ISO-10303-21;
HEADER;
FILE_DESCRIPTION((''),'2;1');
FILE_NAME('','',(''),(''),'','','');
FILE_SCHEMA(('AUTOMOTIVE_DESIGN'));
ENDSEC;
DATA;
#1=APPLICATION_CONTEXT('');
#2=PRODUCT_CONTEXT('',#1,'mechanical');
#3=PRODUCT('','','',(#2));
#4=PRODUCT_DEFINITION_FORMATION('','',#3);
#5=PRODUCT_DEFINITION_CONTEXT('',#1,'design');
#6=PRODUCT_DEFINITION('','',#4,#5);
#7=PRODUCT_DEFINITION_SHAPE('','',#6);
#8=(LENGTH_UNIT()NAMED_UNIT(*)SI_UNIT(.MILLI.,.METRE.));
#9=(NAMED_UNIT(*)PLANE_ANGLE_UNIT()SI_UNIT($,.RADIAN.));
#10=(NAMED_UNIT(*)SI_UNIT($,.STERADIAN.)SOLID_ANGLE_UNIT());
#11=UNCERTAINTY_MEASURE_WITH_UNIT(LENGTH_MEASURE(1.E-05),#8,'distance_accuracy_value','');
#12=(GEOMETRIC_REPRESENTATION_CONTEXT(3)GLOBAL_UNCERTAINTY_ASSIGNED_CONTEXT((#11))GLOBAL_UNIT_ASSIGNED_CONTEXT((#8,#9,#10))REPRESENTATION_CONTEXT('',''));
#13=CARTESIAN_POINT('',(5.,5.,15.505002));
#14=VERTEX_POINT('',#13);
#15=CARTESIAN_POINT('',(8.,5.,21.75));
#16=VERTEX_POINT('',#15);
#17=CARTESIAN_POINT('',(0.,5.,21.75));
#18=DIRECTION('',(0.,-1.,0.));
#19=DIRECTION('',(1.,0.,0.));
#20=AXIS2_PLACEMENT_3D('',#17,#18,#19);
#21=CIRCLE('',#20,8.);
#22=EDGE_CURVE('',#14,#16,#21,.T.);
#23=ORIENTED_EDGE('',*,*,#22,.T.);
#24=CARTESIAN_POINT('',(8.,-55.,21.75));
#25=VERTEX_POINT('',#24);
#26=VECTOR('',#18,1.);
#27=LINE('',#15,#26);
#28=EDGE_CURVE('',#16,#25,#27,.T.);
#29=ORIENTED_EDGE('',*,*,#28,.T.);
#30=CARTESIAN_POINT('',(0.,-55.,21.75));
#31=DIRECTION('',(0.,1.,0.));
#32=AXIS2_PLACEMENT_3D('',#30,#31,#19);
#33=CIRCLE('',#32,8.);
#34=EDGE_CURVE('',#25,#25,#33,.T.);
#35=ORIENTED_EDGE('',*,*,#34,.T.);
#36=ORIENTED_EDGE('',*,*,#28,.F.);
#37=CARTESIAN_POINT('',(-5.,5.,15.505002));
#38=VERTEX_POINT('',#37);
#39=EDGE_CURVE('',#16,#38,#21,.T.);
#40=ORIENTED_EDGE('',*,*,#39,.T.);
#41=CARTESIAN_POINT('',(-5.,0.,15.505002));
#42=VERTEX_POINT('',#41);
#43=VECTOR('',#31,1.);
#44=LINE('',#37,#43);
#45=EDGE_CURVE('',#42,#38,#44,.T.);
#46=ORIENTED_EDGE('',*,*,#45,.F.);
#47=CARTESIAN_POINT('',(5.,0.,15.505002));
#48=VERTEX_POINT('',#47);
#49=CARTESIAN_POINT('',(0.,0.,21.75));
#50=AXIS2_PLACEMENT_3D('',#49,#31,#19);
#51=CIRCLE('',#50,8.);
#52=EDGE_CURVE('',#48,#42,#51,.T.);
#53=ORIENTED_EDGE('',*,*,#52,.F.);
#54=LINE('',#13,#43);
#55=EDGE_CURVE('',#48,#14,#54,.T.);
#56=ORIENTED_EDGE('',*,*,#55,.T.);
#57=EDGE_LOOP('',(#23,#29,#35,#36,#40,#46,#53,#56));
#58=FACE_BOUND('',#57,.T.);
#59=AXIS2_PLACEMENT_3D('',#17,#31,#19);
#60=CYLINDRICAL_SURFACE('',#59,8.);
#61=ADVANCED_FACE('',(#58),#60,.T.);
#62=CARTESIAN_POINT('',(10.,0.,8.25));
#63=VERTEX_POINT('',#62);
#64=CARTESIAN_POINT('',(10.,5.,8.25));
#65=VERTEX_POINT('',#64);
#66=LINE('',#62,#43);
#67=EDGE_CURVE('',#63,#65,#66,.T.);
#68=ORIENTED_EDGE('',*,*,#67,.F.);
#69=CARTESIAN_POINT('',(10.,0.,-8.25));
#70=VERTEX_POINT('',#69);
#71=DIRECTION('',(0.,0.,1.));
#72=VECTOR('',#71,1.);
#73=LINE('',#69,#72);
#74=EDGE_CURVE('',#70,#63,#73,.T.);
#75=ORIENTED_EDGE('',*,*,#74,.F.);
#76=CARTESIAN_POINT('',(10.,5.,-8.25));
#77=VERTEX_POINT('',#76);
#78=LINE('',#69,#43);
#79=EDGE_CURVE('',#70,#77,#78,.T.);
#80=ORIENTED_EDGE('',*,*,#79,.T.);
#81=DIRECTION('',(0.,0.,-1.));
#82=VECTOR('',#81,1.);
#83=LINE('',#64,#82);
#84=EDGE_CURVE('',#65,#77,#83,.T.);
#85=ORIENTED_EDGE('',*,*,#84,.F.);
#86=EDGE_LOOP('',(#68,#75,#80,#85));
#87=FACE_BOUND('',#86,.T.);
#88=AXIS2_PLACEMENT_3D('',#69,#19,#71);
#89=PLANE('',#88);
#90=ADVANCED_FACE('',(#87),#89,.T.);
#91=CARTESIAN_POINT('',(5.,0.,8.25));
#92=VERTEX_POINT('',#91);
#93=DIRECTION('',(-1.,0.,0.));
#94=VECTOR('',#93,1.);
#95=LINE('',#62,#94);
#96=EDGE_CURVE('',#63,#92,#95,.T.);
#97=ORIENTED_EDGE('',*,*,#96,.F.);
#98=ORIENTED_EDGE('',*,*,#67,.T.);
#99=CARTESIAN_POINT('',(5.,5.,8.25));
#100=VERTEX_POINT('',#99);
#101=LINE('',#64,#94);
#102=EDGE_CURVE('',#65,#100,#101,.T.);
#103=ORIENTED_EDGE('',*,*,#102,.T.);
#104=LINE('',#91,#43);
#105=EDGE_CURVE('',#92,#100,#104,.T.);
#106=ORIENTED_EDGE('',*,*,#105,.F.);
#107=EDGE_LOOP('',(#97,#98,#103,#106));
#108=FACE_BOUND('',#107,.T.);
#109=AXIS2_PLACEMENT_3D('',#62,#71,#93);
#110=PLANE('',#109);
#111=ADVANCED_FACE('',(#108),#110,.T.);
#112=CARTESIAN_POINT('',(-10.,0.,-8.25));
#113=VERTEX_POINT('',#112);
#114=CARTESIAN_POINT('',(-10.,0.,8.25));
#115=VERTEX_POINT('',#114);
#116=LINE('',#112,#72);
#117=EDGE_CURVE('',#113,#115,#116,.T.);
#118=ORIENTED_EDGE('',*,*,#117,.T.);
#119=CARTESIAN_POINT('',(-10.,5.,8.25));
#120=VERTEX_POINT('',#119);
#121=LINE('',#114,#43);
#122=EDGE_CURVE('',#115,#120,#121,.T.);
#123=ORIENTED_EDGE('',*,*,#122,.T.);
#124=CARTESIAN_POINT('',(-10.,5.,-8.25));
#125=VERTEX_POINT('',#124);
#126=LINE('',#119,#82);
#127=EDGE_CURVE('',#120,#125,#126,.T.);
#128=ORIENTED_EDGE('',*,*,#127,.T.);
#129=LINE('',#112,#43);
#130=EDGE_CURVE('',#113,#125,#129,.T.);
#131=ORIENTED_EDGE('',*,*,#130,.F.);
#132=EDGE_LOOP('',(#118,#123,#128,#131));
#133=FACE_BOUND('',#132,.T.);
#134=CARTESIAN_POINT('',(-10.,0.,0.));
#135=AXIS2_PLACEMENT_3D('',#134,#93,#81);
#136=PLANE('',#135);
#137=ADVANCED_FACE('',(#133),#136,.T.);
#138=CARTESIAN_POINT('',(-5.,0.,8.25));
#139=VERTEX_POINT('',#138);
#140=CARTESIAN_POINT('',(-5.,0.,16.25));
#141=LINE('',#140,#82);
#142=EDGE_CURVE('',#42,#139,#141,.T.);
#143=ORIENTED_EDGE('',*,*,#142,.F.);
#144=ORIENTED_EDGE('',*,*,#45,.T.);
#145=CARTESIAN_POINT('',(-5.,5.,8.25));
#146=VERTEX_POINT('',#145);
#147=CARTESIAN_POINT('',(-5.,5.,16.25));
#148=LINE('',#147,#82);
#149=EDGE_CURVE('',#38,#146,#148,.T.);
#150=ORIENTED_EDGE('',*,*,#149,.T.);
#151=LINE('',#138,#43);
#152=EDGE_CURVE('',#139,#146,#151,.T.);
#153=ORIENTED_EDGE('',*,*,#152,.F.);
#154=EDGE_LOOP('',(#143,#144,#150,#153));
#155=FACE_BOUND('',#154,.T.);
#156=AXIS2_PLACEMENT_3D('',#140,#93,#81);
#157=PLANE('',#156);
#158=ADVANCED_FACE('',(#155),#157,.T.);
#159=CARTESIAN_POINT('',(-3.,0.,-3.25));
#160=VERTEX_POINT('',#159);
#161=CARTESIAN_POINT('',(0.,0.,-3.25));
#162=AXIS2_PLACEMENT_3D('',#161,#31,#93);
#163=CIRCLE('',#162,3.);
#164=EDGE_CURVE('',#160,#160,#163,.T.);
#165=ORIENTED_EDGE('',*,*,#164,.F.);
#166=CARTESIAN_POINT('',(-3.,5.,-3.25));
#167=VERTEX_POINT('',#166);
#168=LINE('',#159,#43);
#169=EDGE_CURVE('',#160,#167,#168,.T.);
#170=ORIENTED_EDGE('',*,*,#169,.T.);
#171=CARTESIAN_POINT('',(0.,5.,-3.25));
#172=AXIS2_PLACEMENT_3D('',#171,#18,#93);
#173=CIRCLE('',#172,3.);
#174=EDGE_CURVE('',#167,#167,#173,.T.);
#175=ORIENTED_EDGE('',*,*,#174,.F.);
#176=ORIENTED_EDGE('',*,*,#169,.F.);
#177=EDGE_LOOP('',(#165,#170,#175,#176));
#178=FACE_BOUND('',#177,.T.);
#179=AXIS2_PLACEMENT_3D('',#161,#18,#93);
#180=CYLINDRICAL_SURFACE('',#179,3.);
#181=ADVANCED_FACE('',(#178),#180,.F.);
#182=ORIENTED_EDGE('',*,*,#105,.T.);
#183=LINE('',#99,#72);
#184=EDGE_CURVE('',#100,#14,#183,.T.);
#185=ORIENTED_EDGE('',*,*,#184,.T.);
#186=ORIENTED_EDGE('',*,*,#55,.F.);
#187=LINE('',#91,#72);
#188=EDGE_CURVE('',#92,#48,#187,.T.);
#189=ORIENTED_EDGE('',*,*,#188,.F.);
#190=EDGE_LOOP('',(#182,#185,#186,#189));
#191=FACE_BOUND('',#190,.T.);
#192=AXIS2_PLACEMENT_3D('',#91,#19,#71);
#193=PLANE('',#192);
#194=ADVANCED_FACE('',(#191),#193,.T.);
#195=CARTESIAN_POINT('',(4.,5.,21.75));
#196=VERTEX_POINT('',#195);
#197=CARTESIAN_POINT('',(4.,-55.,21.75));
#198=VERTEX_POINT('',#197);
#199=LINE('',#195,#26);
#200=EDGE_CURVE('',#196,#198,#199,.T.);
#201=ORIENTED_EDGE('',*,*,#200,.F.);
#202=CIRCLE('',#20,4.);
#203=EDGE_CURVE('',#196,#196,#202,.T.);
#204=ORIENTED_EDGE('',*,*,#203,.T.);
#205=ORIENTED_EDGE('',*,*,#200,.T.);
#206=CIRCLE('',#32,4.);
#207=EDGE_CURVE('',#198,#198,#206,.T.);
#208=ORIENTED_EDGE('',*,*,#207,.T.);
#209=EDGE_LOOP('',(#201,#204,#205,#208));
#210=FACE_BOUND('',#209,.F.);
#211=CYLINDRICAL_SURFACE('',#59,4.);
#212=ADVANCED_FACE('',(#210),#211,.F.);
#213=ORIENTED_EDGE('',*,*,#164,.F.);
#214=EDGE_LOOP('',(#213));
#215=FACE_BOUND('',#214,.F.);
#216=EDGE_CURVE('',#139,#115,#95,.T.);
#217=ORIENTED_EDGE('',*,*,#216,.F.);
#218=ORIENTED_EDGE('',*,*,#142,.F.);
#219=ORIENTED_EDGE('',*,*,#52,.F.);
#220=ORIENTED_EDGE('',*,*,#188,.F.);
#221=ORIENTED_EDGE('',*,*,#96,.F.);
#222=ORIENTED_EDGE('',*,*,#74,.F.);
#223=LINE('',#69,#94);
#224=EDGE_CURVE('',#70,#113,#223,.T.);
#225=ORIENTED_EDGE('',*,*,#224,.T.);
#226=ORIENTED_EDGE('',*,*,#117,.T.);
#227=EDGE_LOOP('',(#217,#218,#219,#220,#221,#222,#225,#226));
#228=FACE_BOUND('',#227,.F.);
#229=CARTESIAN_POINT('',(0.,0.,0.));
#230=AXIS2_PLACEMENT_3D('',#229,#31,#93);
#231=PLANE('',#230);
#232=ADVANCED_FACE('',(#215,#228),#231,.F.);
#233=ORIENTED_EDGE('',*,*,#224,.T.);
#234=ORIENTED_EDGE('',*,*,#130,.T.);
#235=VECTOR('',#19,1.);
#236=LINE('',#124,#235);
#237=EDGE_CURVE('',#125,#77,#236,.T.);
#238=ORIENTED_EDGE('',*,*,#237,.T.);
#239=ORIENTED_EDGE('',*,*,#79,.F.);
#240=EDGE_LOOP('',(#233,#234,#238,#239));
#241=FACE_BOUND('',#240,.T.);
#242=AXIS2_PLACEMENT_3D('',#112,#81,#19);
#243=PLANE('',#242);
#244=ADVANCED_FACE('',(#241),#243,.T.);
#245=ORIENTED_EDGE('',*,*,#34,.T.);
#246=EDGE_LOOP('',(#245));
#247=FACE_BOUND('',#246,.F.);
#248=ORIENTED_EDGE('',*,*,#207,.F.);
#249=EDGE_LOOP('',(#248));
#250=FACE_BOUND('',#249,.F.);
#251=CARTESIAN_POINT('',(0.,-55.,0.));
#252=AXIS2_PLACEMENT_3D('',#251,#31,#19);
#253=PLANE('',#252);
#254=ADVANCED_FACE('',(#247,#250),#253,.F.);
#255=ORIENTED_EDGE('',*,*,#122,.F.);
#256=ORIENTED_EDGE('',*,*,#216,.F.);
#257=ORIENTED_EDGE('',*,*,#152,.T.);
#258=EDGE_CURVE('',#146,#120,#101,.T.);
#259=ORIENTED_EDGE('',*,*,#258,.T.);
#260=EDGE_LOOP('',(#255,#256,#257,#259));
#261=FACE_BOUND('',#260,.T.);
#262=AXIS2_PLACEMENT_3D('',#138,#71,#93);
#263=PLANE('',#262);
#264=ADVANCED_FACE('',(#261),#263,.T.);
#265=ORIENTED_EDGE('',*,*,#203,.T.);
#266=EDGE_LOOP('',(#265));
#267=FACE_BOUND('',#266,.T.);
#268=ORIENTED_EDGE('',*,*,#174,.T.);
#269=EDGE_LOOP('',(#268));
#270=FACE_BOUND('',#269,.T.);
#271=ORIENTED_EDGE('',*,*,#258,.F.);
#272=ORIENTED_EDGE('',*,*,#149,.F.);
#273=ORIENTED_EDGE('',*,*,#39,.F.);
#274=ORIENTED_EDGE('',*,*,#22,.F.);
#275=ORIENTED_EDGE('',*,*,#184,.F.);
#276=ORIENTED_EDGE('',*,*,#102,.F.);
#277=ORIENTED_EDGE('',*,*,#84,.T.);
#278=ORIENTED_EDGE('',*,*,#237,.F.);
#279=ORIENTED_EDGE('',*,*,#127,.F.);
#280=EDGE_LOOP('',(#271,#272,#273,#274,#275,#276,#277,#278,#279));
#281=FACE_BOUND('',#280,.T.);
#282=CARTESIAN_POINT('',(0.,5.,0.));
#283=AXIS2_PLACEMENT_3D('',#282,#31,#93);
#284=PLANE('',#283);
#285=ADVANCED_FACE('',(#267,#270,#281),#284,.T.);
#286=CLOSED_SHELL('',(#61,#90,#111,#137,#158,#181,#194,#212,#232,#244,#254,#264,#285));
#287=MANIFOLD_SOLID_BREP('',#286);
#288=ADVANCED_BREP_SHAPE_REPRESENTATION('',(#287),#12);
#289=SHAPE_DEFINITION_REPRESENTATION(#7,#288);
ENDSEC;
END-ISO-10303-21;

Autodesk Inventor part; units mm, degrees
ref_plane "YZ Plane" through (0, 0, 0) normal (1, 0, 0) x (0, 1, 0)
ref_plane "XZ Plane" through (0, 0, 0) normal (0, 1, 0) x (-1, 0, 0)
ref_plane "XY Plane" through (0, 0, 0) normal (0, 0, 1) x (1, 0, 0)
sketch "Skizze1" plane through (0, 0, 0) normal (0, 1, 0) x (-1, 0, 0)
  line L0 (10, -8.25) -> (-10, -8.25)
  line L1 (-10, -8.25) -> (-10, 8.25)
  line L2 (-10, 8.25) -> (10, 8.25)
  line L3 (10, 8.25) -> (10, -8.25)
  line L4 (14, 0) -> (-14, 0) projected
  line L5 (0, -16.2) -> (0, 37.7) projected
  circle A0 centre (0, -3.25) radius 3
  line L6 (5, 8.25) -> (-5, 8.25)
  line L7 (-5, 8.25) -> (-5, 16.25)
  line L8 (-5, 16.25) -> (5, 16.25)
  line L9 (5, 16.25) -> (5, 8.25)
  point P0 (0, 0)
  point P1 (-5, 8.25)
  dimension "d0" = 20
  dimension "d1" = 16.5
  dimension "d2" = 6
  dimension "d3" = 11.5
  dimension "d13" = 10
  dimension "d14" = 8
extrude "Extrusion1" add sketch "Skizze1" along normal blind 5 contours L0 L5 A0 L4 L3 | L0 L1 L4 L5 A0 | L4 L5 L2 L3 | L4 L1 L2 L5 | L2 L5 L8 L9 | L2 L7 L8 L5
sketch "Skizze2" plane through (0, 5, 0) normal (0, 1, 0) x (1, 0, 0)
  line L0 (10, -8.25) -> (10, 8.25) projected
  line L1 (10, 8.25) -> (-10, 8.25) projected
  line L2 (-10, 8.25) -> (-10, -8.25) projected
  line L3 (-10, -8.25) -> (-5, -8.25) projected
  circle A0 centre (0, 3.25) radius 3 projected
  line L4 (-2, -8.25) -> (3, -8.25)
  line L5 (-14, 0) -> (14, 0) projected
  line L6 (0, 16.2) -> (0, -37.7) projected
  line L7 (-2.5, -18.25) -> (2.5, -18.25)
  line L8 (2.5, -18.25) -> (2.5, -13.25)
  line L9 (2.5, -13.25) -> (-2.5, -13.25)
  line L10 (-2.5, -13.25) -> (-2.5, -18.25)
  line L11 (-5, -8.25) -> (-5, -16.25) projected
  line L12 (-5, -16.25) -> (5, -16.25) projected
  line L13 (5, -16.25) -> (5, -8.25) projected
  line L14 (5, -8.25) -> (10, -8.25) projected
  circle A1 centre (0, 3.25) radius 3 projected
  circle A2 centre (0, -21.75) radius 4
  circle A3 centre (0, -21.75) radius 8
  line L15 (0, -13.75) -> (0, 3.25)
  point P0 (0, 0)
  dimension "d10" = 5
  dimension "d11" = 5
  dimension "d12" = 5
  dimension "d21" = 8
  dimension "d22" = 25
  dimension "d23" = 4
extrude "Extrusion2" add sketch "Skizze2" against normal blind 60 contours A3 L6 A2 L7 L8 L12 L13 | L13 L12 L8 A3 | L8 L12 L6 A3 | L8 L7 A2 L6 L12 | A3 L11 L12 L10 L7 A2 L6 | L6 L12 L10 A3 | L6 A2 L7 L10 L12 | A3 L10 L12 L11
properties part number "Absicherung Kugellager"
